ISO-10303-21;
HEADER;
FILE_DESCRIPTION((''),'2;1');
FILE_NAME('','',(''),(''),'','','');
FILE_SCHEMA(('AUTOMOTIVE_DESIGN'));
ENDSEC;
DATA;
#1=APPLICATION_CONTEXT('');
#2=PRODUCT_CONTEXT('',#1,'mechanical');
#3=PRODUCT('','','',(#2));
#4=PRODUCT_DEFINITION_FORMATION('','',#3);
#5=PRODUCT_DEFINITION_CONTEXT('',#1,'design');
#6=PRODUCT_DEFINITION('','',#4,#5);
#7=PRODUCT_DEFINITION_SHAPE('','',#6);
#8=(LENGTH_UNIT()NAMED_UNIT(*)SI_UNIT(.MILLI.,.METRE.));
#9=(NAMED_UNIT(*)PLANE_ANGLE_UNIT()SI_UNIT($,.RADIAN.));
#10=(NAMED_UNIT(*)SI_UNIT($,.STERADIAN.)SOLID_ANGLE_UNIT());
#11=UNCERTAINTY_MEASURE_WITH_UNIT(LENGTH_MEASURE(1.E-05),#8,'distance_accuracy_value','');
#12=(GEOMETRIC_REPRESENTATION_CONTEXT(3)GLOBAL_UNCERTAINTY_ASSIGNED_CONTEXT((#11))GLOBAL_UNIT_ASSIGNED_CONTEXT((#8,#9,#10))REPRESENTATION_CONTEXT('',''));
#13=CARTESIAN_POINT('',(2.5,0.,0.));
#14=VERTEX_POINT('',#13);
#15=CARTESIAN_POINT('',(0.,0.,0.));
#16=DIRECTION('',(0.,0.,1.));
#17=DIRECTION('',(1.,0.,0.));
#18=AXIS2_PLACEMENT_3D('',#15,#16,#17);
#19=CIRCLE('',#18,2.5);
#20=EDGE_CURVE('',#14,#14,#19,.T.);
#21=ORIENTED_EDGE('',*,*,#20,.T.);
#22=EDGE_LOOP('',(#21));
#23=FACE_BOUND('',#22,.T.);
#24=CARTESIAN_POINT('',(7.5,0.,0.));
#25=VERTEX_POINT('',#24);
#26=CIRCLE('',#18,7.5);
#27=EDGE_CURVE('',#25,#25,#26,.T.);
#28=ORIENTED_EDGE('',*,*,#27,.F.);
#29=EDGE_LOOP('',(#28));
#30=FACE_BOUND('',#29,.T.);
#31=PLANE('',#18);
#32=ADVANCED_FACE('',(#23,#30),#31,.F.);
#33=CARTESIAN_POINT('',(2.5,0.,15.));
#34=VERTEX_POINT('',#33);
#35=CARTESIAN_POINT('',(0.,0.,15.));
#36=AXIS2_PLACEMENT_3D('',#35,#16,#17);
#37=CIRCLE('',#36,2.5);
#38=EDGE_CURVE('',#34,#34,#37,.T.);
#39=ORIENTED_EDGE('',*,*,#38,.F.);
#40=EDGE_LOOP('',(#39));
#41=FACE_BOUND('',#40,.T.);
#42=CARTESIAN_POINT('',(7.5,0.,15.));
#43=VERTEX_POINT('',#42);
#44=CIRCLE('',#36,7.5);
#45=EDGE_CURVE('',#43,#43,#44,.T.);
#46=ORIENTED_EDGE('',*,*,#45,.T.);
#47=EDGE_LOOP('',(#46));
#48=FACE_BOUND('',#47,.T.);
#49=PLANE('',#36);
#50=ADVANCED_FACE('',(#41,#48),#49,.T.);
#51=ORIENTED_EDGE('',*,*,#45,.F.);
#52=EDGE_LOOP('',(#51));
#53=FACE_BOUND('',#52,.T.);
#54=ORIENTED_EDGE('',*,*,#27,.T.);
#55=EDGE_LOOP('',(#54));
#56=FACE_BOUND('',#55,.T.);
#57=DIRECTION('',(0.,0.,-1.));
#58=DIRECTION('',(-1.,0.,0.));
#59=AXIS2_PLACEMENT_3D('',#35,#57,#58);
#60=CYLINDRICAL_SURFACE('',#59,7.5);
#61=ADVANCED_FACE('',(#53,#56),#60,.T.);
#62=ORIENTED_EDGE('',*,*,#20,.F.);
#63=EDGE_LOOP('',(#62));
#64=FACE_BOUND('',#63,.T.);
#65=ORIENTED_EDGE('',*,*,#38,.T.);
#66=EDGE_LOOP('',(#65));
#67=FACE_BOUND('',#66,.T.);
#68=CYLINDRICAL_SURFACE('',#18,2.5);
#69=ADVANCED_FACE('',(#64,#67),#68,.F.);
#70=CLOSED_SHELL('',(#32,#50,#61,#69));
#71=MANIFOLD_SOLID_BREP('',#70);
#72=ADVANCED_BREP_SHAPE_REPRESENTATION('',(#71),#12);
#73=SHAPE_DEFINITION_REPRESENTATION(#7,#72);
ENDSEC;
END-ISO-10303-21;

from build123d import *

# Parameters (mm, degrees)
SCHIZZO1_R                   = 7.5
ESTRUSIONE_ESTRUSIONE1_DEPTH = 15
SCHIZZO2_R                   = 2.5
TAGLIO_ESTRUSIONE1_DEPTH     = 19.371173071


with BuildPart() as part:
    # Schizzo1 → Estrusione-Estrusione1 (new body)
    with BuildSketch(Plane.XY):
        Circle(SCHIZZO1_R)
    extrude(amount=ESTRUSIONE_ESTRUSIONE1_DEPTH)

    # Schizzo2 → Taglio-Estrusione1 (cut, through all)
    with BuildSketch(Plane.XY.offset(15)):
        Circle(SCHIZZO2_R)
    extrude(amount=-TAGLIO_ESTRUSIONE1_DEPTH, mode=Mode.SUBTRACT)


solid = part.part
